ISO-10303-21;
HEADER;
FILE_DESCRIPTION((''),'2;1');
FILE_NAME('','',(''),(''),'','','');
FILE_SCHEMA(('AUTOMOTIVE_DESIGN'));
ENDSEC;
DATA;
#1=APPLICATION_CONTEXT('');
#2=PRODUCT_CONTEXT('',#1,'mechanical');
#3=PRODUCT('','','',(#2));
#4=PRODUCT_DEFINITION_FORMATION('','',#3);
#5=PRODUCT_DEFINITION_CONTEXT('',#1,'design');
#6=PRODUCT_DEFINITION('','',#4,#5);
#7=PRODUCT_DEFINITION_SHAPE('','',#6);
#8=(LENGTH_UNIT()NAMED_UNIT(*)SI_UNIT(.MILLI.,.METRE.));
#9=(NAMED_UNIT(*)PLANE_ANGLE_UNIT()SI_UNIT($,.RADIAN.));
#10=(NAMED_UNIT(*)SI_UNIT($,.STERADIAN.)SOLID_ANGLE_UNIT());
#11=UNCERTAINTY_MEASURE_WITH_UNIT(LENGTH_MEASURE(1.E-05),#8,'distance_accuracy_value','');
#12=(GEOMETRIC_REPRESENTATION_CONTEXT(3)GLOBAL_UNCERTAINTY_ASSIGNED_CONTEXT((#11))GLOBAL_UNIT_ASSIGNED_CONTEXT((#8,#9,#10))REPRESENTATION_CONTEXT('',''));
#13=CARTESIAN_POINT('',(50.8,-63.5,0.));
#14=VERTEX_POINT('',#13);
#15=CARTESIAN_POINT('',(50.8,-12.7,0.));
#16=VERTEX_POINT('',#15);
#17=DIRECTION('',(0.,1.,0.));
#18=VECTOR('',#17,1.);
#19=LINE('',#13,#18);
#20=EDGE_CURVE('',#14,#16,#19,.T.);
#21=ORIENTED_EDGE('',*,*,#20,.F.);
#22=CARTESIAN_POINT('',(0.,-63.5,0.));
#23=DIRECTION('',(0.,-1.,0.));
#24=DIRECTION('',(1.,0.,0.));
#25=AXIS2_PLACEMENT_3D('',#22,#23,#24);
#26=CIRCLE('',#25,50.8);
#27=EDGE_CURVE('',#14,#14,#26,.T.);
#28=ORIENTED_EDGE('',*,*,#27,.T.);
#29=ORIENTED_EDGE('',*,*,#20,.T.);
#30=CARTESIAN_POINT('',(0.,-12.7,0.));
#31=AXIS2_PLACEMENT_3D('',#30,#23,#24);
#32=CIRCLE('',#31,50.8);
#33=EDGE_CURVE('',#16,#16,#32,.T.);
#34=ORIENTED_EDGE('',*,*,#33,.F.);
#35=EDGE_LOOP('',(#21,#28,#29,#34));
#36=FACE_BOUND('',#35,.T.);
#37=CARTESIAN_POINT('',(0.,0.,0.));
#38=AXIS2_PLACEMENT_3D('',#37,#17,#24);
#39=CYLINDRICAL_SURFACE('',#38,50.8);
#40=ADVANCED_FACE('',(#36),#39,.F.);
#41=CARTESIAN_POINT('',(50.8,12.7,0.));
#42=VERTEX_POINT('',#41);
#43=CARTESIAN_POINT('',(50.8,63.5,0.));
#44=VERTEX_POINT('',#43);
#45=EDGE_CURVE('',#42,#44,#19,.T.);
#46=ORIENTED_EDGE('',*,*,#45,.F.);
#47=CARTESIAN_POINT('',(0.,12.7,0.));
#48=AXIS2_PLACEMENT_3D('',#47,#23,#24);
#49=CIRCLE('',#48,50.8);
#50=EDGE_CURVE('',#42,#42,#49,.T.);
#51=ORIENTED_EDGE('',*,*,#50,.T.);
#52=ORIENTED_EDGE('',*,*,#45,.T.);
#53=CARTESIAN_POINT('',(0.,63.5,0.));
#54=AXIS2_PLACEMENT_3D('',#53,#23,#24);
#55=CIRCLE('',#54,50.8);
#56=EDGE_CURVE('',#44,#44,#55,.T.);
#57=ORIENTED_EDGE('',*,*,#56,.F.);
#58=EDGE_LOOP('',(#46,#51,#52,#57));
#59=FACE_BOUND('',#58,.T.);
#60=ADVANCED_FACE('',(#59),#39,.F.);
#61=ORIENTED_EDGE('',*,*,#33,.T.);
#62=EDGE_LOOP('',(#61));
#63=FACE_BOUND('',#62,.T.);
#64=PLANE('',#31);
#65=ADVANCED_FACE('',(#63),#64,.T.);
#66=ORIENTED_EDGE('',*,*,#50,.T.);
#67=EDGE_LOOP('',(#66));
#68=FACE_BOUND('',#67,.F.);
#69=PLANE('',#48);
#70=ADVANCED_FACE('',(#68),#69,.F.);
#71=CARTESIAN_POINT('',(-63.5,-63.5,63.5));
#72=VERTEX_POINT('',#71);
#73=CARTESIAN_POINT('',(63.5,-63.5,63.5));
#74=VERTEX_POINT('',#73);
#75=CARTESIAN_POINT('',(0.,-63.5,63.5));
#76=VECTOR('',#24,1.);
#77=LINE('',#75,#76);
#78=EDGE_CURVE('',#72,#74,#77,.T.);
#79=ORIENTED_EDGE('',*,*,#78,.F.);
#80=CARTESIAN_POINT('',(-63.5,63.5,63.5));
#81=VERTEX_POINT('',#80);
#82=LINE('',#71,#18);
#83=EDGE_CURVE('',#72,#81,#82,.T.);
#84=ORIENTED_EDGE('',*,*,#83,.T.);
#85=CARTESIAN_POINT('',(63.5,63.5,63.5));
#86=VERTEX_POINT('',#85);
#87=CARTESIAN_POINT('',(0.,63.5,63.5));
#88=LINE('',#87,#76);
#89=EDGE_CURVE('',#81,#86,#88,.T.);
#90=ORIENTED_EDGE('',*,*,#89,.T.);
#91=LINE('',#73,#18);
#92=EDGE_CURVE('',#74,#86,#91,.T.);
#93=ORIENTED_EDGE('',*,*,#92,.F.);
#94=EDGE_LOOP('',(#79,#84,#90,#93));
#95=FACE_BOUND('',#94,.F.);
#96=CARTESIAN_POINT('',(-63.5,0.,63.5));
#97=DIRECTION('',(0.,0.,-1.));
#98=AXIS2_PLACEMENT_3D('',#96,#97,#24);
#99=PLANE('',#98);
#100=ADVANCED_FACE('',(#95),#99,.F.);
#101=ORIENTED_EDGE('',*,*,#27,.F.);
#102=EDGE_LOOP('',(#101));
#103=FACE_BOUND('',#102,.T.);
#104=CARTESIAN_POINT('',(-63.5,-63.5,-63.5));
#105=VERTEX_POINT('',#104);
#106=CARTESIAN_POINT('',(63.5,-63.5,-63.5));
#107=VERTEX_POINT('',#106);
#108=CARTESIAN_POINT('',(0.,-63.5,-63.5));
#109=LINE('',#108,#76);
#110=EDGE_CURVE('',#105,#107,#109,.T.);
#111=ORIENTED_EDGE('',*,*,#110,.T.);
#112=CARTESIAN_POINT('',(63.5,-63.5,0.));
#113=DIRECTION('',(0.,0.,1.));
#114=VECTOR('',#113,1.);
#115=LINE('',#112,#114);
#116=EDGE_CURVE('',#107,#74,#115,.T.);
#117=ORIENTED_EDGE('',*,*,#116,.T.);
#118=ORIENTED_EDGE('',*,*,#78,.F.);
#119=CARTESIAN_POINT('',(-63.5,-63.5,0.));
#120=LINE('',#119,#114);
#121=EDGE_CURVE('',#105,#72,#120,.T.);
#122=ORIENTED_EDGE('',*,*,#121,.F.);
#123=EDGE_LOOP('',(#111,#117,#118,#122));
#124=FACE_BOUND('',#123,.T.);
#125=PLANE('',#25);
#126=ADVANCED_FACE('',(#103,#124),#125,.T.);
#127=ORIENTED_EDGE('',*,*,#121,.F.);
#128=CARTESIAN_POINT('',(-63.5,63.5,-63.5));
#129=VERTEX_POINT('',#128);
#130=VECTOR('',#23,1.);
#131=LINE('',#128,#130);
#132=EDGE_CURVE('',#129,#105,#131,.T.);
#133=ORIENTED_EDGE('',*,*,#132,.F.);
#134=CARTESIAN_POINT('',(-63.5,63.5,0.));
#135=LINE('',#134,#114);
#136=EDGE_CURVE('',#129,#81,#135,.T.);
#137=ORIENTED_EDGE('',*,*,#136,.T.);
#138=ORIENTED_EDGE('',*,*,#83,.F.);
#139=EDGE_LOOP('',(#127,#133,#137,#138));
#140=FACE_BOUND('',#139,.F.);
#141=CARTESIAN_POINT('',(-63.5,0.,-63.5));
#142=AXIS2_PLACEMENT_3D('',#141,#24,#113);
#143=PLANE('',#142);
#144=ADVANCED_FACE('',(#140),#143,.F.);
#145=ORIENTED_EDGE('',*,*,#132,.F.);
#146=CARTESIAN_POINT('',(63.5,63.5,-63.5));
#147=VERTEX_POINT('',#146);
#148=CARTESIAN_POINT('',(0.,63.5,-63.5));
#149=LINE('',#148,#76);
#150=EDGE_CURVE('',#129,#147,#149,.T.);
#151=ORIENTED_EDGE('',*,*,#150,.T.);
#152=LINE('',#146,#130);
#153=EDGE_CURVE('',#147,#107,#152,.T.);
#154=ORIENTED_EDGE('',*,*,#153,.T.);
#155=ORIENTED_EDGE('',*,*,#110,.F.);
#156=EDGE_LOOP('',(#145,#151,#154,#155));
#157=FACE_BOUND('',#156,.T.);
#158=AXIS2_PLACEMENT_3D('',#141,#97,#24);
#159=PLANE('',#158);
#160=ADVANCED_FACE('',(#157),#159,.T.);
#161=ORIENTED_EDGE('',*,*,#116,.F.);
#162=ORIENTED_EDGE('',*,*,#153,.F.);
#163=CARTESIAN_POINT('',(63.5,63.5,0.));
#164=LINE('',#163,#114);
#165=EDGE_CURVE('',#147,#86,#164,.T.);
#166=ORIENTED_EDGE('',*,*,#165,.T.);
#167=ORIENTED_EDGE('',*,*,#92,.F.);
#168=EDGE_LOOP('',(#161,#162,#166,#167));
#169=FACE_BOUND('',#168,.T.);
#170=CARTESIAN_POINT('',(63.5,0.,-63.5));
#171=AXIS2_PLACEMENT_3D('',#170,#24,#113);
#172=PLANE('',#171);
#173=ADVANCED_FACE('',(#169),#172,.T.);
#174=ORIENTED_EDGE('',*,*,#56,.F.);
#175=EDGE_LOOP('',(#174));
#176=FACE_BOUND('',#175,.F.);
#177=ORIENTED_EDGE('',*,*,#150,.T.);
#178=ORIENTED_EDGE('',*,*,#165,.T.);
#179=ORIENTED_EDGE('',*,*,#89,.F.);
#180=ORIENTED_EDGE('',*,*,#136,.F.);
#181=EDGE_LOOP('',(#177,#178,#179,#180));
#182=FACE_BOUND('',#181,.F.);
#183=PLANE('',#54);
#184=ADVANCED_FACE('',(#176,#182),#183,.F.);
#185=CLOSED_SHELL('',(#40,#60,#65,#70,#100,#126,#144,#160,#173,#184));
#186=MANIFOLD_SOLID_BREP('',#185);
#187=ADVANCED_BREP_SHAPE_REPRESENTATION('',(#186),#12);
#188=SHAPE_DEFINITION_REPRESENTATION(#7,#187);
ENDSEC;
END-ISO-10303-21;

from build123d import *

# Parameters (mm, degrees)
F0_W     = 127
F0_H     = 127
F0_R     = 50.8
F1_DEPTH = 63.5
F2_DEPTH = 12.7


with BuildPart() as f1:
    # F0 (on Front) → F1 (new body, symmetric)
    with BuildSketch(Plane.XZ):
        Rectangle(F0_W, F0_H)
        Circle(F0_R, mode=Mode.SUBTRACT)
    extrude(amount=F1_DEPTH, both=True)

    # F0 (on Front) → F2 (join, symmetric)
    with BuildSketch(Plane.XZ):
        Circle(F0_R)
    extrude(amount=F2_DEPTH, both=True)


solid = f1.part
